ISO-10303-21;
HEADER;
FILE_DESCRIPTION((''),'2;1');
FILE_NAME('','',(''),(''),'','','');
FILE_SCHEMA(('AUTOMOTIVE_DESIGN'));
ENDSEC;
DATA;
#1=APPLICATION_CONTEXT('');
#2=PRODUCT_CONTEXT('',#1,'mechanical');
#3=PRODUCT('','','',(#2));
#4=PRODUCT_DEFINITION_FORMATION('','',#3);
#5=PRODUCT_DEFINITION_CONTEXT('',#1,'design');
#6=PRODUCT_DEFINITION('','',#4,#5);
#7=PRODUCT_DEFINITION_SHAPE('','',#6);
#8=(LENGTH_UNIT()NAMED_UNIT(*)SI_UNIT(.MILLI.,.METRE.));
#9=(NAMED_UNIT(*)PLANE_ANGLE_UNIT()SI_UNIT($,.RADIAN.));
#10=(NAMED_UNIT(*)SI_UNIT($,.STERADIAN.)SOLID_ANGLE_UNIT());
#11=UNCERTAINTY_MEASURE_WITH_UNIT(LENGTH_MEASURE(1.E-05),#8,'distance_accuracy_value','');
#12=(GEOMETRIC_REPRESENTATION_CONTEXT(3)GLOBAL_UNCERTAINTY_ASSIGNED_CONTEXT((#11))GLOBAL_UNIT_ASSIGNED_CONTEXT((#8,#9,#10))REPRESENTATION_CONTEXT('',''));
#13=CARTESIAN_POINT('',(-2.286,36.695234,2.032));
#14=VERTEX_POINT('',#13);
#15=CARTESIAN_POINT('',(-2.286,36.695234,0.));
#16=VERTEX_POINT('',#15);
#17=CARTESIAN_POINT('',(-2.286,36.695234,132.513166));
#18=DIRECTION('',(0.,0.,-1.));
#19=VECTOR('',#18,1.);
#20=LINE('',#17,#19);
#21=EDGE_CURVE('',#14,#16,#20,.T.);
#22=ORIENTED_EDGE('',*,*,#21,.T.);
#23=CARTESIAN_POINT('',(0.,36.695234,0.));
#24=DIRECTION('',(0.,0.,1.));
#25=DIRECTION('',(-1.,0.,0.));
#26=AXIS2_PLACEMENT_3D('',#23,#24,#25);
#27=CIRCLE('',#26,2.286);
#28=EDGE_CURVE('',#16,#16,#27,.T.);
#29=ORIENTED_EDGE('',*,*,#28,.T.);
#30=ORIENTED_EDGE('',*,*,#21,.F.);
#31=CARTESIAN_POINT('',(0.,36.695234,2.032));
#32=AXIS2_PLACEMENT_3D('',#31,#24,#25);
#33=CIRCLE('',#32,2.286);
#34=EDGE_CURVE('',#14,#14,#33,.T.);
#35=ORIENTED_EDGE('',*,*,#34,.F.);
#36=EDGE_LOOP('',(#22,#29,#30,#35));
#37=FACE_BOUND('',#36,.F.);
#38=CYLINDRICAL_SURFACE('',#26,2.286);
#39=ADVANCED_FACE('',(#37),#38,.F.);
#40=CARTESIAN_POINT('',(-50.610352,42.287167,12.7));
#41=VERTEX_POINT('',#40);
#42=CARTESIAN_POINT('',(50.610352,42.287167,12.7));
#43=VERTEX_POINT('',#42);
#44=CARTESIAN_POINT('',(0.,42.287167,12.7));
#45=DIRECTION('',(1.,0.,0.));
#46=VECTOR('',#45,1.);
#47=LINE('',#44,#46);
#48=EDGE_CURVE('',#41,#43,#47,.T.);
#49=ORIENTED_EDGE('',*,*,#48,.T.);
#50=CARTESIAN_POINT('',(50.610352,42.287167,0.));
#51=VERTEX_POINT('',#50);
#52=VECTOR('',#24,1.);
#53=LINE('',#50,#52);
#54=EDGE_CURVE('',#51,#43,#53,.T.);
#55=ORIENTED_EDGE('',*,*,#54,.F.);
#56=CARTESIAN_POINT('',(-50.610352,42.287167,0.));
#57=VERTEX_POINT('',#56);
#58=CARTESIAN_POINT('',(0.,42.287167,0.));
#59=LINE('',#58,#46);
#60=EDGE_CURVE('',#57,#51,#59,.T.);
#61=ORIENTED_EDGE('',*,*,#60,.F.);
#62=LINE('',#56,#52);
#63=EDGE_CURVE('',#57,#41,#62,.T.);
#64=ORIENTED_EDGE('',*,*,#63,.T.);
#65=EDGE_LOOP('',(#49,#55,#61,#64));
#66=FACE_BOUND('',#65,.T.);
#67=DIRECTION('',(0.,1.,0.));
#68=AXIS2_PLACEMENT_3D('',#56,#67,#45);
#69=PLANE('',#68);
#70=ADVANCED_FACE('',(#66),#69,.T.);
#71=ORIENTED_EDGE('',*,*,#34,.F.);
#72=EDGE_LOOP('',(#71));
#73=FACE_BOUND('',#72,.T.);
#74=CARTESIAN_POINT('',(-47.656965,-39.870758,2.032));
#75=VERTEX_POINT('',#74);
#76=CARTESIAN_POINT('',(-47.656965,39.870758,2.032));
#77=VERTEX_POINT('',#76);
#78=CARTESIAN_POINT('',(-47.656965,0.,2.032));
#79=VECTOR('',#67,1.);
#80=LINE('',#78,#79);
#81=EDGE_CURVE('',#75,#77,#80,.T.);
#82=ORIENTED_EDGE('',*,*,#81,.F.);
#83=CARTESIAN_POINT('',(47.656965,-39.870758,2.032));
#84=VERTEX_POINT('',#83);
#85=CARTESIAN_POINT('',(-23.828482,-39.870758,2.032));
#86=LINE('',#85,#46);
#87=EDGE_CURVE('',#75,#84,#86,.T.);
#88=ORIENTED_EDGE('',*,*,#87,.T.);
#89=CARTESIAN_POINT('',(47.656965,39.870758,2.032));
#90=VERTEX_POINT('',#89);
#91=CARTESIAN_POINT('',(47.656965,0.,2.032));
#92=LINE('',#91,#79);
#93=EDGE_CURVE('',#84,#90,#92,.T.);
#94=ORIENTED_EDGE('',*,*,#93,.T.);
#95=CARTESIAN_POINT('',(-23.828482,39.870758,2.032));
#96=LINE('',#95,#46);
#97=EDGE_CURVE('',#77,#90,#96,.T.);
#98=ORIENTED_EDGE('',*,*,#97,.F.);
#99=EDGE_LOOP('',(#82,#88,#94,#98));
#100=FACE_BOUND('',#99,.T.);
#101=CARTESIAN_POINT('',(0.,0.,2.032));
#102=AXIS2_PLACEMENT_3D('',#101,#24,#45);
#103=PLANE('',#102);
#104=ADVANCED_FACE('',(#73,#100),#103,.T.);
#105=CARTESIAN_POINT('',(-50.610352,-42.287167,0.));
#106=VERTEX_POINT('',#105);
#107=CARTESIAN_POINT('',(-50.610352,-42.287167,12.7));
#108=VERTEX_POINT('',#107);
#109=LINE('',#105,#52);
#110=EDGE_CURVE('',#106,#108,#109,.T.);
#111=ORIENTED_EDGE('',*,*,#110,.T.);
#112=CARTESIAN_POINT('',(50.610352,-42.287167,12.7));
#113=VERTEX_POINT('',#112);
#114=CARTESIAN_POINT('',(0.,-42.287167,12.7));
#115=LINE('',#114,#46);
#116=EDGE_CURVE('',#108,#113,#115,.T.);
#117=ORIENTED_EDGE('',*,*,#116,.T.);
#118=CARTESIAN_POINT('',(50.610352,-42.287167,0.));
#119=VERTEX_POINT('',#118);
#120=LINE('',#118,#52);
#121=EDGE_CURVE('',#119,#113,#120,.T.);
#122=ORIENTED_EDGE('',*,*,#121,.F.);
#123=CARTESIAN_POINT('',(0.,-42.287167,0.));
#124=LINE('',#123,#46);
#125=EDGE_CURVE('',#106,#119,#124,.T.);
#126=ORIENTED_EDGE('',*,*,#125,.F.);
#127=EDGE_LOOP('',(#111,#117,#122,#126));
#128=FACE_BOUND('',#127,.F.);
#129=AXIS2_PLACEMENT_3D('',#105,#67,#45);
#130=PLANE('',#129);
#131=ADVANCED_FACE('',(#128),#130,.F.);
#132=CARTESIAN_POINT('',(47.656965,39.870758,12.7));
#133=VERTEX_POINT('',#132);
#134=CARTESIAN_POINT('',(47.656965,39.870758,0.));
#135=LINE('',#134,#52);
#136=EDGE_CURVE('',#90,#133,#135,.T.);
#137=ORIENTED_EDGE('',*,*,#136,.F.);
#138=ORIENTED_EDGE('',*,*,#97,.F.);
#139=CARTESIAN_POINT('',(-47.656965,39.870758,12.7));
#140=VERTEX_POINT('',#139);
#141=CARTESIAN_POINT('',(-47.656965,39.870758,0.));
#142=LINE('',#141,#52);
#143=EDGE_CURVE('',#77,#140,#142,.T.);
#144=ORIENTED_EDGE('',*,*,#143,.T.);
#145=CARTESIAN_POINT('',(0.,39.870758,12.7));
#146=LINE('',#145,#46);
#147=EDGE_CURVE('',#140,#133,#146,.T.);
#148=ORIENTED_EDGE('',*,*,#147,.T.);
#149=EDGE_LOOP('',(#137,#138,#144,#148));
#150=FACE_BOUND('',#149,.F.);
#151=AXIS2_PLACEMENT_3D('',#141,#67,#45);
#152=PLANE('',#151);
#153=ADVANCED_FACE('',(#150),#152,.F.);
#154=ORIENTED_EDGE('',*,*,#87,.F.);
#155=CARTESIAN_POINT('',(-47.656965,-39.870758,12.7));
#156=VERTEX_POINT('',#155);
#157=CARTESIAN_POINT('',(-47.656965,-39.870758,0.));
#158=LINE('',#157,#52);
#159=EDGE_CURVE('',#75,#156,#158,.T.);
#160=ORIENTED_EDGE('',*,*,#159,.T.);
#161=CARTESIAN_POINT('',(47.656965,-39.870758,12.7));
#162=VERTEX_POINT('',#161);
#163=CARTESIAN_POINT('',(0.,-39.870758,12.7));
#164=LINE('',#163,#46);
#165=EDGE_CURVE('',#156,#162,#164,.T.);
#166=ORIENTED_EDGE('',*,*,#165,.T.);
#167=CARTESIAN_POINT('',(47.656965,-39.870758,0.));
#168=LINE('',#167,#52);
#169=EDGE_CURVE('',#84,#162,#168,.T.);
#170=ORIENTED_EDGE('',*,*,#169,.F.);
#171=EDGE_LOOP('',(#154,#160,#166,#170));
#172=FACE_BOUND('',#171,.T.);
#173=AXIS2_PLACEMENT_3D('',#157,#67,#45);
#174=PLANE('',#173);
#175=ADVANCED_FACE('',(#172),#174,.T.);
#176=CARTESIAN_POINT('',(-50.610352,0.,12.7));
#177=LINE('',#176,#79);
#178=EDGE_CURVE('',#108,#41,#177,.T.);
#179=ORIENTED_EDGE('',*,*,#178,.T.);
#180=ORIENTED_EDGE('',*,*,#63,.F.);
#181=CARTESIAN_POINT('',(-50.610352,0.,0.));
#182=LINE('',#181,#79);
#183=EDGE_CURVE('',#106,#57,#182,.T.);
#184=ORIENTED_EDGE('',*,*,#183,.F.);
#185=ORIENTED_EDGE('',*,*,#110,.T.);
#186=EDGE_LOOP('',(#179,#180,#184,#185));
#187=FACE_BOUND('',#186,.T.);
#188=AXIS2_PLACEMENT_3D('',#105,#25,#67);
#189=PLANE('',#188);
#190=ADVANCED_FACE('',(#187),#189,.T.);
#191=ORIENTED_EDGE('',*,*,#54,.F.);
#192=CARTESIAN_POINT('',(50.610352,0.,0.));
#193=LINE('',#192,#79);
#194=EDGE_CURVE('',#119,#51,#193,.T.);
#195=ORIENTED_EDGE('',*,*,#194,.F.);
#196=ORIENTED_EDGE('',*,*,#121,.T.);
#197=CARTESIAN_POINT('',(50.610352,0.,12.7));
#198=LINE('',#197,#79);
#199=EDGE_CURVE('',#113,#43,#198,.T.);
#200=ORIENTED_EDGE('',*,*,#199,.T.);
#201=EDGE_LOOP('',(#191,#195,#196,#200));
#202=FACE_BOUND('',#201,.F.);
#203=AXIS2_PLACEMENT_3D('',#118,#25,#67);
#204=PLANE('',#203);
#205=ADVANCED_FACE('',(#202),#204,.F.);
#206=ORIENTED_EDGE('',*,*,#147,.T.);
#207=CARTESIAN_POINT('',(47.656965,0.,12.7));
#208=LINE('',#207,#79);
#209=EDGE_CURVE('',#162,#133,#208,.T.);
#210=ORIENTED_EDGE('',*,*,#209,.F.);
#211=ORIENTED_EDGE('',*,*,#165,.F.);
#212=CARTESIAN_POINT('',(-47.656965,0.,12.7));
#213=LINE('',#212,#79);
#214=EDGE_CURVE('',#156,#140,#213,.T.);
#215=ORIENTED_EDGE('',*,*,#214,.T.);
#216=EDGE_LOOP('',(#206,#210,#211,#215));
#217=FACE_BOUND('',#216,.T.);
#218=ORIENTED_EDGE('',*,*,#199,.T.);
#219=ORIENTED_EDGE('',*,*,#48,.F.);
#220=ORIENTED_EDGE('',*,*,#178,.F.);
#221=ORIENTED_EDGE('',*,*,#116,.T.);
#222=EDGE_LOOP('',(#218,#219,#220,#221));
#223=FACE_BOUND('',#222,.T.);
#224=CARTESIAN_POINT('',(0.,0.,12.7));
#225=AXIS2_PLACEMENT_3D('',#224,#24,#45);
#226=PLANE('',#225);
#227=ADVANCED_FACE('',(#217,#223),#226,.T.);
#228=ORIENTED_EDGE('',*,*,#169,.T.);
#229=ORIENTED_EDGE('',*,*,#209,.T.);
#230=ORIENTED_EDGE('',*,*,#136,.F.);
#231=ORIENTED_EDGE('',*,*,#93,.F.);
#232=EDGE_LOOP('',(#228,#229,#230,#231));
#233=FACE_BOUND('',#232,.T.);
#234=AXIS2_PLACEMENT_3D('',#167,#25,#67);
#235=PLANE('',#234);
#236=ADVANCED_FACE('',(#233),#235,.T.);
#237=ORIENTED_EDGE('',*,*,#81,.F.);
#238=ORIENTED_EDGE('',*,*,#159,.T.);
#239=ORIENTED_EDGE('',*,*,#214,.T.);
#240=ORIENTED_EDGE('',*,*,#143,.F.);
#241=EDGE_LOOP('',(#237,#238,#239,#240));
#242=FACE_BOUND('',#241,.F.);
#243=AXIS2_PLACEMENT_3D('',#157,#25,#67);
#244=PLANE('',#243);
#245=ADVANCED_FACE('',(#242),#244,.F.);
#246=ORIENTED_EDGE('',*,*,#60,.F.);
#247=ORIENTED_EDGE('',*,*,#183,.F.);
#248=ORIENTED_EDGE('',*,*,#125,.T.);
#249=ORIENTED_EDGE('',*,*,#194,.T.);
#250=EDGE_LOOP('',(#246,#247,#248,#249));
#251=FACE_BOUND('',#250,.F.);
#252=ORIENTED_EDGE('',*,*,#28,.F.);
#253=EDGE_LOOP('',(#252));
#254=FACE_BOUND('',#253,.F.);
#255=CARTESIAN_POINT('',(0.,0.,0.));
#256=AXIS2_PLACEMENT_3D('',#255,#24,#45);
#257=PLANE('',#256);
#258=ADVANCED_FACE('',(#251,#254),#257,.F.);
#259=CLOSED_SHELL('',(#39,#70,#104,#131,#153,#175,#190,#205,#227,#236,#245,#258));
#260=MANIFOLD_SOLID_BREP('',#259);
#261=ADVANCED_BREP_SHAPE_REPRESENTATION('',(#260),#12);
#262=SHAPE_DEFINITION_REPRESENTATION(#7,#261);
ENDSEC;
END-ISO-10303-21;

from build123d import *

# Parameters (mm, degrees)
F0_W           = 101.2207046151
F0_H           = 84.5743343234
F0_W_2         = 95.3139290214
F0_H_2         = 79.7415152192
F1_DEPTH       = 12.7
F2_W           = 95.3139290214
F2_H           = 80.278493464
F3_DEPTH       = 2.032
F5_D           = 4.572
F5_CBORE_D     = 4.572
F5_CBORE_DEPTH = 4.572


with BuildPart() as f1:
    # F0 (on Top) → F1 (new body)
    with BuildSketch(Plane.XY):
        Rectangle(F0_W, F0_H)
        Rectangle(F0_W_2, F0_H_2, mode=Mode.SUBTRACT)
    extrude(amount=F1_DEPTH)

    # F2 (on Top) → F3 (join)
    with BuildSketch(Plane.XY):
        Rectangle(F2_W, F2_H)
    extrude(amount=F3_DEPTH)

    # F5 (through all)
    with Locations(Plane(origin=(0, 0, 0), x_dir=(1, 0, 0), z_dir=(0, 0, -1))):
        with Locations((0, -36.6952344775)):
            CounterBoreHole(F5_D / 2, F5_CBORE_D / 2, F5_CBORE_DEPTH)


solid = f1.part
